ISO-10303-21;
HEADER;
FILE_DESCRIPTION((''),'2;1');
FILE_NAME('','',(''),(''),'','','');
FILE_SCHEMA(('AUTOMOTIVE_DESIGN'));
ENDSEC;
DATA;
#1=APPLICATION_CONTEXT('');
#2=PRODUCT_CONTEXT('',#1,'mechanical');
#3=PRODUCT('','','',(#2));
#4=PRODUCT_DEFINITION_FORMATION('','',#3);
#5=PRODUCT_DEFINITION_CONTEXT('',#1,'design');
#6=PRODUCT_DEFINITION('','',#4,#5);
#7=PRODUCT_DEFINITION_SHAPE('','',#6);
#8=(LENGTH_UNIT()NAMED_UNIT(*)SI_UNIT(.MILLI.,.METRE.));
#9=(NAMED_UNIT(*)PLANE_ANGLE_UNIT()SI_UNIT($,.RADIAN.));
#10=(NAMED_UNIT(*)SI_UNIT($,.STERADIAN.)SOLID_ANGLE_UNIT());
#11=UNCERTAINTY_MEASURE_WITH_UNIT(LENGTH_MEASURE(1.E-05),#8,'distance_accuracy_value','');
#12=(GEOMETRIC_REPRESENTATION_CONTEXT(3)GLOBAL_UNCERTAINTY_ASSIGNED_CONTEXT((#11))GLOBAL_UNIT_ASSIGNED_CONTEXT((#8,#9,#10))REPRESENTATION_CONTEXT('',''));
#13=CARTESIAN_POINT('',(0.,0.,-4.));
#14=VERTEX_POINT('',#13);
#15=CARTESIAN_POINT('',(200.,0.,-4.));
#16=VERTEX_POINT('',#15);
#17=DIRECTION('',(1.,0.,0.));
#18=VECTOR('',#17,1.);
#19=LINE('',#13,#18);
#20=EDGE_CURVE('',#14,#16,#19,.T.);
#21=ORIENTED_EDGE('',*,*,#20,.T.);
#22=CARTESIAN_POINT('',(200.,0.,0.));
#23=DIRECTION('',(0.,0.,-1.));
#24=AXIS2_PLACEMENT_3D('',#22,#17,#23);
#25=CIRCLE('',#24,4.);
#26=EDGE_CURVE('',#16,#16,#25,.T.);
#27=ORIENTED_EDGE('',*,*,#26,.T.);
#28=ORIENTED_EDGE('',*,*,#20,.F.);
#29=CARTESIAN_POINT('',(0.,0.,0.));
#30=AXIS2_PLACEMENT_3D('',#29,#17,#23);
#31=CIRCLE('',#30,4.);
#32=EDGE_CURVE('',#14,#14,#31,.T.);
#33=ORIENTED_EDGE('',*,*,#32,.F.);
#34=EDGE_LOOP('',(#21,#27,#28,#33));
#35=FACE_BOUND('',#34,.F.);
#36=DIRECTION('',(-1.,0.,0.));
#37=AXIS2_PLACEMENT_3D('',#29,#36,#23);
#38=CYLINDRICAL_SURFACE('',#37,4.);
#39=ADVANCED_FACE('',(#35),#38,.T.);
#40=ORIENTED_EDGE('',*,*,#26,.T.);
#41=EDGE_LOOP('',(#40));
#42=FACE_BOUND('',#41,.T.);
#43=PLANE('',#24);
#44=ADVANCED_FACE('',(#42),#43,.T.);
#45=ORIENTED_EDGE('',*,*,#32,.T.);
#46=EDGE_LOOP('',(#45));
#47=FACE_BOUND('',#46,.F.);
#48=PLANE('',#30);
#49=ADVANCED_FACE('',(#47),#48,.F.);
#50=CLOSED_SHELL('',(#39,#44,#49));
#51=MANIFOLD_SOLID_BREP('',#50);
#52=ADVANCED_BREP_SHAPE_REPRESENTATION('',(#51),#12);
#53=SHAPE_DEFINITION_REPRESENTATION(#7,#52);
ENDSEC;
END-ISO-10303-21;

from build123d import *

# Parameters (mm, degrees)
SKETCH1_R           = 4
BOSS_EXTRUDE1_DEPTH = 200


with BuildPart() as part:
    # Sketch1 → Boss-Extrude1 (new body)
    with BuildSketch(Plane(origin=(0, 0, 0), x_dir=(0, 0, -1), z_dir=(1, 0, 0))):
        Circle(SKETCH1_R)
    extrude(amount=BOSS_EXTRUDE1_DEPTH)


solid = part.part
